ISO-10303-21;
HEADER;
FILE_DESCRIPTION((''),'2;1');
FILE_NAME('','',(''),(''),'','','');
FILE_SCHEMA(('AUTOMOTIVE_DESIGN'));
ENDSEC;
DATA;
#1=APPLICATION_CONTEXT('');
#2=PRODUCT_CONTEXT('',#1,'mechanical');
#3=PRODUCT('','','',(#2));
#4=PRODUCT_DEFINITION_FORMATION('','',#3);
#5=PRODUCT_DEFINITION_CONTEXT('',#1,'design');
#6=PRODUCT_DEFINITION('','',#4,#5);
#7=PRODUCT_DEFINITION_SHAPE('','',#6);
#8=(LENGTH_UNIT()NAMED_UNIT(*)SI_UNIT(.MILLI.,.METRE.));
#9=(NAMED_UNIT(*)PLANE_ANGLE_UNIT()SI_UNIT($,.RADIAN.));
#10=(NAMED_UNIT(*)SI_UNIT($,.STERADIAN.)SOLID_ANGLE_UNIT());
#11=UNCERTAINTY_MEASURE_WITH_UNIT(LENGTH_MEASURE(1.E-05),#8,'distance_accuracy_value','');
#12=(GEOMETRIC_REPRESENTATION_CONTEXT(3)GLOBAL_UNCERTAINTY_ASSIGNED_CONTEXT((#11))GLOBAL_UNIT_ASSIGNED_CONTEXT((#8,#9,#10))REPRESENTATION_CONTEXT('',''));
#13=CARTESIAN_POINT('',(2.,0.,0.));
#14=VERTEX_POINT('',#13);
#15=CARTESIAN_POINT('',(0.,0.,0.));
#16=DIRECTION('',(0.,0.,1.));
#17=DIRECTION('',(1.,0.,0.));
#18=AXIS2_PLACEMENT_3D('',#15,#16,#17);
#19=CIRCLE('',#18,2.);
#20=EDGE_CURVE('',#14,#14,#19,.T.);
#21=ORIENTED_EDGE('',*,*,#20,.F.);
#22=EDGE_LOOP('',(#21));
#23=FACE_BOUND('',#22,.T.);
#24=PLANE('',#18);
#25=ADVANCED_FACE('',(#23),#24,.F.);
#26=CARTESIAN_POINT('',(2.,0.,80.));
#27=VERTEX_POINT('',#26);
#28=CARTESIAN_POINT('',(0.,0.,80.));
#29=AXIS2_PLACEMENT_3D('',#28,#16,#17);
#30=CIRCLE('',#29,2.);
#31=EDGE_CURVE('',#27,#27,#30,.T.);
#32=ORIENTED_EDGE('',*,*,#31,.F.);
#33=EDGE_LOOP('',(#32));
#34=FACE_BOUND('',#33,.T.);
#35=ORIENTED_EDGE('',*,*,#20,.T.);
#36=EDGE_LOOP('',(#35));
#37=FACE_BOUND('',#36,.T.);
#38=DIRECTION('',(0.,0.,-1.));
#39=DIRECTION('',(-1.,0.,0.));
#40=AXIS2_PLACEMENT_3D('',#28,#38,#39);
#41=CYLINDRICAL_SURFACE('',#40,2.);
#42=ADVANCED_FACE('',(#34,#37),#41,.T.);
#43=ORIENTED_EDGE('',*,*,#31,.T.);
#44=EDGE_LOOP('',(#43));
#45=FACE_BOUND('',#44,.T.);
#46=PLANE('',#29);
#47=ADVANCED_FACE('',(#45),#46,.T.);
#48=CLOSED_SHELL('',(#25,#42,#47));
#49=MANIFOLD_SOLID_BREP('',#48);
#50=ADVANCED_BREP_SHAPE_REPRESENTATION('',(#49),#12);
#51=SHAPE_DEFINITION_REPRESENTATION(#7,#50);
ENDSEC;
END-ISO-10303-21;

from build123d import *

# Parameters (mm, degrees)
SKETCH_1_R      = 2
EXTRUDE_1_DEPTH = 80


with BuildPart() as part:
    # 草图1 → 凸台-拉伸1 (new body)
    with BuildSketch(Plane.XY):
        Circle(SKETCH_1_R)
    extrude(amount=EXTRUDE_1_DEPTH)


solid = part.part
